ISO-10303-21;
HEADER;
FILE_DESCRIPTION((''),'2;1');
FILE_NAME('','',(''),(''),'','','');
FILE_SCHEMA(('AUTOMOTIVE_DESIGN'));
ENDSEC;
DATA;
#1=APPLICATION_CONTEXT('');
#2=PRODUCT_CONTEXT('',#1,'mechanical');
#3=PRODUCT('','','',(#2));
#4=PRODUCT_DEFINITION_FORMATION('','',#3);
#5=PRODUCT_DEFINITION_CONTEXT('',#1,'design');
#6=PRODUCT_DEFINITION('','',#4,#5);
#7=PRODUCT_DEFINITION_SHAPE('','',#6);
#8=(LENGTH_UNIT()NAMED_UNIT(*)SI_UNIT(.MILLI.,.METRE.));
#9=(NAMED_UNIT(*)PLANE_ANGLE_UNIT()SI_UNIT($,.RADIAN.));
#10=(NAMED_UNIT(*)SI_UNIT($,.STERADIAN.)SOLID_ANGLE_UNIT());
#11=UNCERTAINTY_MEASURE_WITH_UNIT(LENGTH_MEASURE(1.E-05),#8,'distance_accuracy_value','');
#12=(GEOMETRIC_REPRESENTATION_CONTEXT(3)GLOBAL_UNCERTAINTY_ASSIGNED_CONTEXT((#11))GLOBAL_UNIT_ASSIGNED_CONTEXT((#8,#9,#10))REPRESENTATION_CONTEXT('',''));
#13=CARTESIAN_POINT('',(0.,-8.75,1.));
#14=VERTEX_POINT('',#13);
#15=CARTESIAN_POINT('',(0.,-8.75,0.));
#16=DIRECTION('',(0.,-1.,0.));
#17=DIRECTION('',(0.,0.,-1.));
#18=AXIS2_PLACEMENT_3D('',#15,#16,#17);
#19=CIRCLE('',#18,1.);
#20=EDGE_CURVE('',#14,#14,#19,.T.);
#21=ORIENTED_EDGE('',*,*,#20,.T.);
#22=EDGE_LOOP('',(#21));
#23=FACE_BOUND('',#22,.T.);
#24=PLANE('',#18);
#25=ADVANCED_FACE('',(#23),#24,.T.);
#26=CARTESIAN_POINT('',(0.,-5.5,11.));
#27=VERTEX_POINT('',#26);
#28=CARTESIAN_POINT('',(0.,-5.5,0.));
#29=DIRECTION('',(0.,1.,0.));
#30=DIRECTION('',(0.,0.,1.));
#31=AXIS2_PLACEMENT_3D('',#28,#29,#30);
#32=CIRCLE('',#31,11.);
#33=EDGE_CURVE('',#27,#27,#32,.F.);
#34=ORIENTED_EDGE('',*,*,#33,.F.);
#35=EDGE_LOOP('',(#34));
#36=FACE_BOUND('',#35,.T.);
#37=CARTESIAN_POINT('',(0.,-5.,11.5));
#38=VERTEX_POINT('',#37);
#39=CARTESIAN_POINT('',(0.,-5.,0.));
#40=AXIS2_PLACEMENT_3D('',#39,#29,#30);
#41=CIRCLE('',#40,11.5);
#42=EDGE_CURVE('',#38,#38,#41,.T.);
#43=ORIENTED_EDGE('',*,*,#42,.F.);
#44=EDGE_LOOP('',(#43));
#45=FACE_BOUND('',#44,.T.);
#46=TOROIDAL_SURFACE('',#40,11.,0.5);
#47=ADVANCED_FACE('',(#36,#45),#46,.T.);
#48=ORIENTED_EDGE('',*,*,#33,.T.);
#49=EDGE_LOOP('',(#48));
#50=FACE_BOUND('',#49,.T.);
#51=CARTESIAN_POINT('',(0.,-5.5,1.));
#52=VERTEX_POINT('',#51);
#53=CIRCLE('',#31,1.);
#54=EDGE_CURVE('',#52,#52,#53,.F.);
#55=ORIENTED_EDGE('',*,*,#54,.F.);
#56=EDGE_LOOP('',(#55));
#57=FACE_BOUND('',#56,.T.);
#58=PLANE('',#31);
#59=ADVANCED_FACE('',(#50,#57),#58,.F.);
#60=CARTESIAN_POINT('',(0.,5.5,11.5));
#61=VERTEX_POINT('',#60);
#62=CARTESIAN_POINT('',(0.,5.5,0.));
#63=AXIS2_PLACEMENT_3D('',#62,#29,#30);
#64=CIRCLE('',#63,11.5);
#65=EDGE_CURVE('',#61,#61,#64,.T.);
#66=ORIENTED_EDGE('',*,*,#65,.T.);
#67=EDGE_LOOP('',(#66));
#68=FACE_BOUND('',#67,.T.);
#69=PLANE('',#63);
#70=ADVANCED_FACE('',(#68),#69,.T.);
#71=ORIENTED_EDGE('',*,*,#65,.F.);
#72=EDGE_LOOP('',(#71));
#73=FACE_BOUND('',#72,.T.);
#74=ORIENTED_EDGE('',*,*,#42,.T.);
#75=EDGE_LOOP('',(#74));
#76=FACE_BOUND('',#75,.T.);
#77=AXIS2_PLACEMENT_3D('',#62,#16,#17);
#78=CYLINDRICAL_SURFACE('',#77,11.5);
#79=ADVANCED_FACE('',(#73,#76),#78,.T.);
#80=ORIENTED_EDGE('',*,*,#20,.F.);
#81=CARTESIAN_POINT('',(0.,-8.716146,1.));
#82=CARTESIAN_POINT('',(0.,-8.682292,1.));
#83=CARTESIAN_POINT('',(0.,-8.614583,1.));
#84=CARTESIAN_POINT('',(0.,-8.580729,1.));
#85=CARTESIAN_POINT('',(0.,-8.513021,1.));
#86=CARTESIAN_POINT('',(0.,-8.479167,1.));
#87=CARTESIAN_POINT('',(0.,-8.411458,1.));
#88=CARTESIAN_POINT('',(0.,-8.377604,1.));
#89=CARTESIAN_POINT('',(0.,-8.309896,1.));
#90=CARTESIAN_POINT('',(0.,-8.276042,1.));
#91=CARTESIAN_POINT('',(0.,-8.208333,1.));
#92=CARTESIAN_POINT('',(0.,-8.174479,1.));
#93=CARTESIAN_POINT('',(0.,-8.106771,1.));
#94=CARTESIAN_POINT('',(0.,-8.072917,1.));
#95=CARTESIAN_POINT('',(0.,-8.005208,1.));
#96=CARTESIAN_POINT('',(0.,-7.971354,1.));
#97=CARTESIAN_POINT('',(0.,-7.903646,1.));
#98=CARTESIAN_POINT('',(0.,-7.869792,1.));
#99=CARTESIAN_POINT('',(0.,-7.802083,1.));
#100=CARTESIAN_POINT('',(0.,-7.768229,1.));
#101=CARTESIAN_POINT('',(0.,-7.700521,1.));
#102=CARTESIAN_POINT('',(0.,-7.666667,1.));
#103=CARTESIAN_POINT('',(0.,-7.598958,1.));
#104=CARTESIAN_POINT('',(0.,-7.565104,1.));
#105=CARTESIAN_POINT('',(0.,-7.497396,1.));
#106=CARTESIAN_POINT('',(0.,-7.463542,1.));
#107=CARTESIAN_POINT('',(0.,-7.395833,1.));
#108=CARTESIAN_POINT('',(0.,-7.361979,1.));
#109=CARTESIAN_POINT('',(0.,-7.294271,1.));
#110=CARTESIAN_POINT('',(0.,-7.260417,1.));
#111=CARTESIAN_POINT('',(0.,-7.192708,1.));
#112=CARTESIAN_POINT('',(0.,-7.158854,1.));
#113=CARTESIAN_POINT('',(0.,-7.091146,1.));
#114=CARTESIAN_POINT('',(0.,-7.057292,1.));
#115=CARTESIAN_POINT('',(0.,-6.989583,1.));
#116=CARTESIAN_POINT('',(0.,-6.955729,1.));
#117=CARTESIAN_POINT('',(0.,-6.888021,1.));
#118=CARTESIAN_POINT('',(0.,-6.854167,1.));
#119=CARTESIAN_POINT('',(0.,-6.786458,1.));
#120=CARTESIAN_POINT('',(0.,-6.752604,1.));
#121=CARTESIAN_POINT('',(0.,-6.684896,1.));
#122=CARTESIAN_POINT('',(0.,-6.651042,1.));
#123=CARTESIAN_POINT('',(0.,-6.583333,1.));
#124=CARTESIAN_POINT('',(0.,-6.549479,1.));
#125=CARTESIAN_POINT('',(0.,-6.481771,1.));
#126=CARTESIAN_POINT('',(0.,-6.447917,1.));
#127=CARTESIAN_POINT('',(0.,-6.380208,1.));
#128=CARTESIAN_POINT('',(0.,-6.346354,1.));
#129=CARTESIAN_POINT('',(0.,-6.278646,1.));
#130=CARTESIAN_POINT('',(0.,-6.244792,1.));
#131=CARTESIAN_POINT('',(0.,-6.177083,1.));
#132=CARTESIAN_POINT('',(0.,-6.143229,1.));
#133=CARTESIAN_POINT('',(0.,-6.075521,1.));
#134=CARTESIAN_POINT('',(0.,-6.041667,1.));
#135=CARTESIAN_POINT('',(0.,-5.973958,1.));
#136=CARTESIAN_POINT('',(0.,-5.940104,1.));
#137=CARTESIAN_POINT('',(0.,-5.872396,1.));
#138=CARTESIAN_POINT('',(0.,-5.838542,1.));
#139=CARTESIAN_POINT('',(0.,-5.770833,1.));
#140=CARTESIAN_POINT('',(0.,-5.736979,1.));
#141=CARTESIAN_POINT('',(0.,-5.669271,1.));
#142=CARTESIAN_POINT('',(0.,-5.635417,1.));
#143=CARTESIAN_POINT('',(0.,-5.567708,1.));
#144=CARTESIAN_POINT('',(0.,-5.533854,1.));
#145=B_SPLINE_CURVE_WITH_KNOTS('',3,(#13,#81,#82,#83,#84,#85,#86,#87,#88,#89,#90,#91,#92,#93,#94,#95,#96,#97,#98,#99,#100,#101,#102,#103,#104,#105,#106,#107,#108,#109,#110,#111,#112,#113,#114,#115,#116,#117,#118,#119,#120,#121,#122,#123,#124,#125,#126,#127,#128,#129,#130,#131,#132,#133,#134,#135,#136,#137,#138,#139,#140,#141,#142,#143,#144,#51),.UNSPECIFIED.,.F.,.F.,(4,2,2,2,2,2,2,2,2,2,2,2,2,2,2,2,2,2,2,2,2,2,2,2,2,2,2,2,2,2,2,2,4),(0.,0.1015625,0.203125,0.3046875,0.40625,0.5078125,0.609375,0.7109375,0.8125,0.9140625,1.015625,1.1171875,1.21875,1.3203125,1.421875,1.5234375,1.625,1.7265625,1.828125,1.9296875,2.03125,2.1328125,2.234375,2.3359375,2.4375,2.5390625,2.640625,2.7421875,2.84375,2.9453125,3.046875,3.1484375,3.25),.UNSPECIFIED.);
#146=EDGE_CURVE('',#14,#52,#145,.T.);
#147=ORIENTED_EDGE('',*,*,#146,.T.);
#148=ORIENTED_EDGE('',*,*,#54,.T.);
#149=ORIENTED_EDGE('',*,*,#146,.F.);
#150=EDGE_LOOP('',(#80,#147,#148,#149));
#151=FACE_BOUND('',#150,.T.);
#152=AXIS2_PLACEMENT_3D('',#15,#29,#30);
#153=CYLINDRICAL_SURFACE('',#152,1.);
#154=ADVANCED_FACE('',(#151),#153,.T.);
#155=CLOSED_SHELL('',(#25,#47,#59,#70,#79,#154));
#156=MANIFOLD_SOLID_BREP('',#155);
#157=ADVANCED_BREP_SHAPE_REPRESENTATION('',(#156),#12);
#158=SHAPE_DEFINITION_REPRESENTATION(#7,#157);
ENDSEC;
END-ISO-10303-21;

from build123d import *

# Parameters (mm, degrees)
SKETCH1_R           = 11.5
BOSS_EXTRUDE1_DEPTH = 5.5
SKETCH2_R           = 1
BOSS_EXTRUDE2_DEPTH = 3.25
FILLET1_R           = 0.5


with BuildPart() as part:
    # Sketch1 → Boss-Extrude1 (new, symmetric)
    with BuildSketch(Plane(origin=(0, 0, 0), x_dir=(1, 0, 0), z_dir=(0, 1, 0))):
        with Locations(Location((0, 0, 0), (0, 0, 270))):
            Circle(SKETCH1_R)
    extrude(amount=BOSS_EXTRUDE1_DEPTH, both=True)

    # Sketch2 → Boss-Extrude2 (add, symmetric)
    with BuildSketch(Plane.XZ.offset(5.5)):
        with Locations(Location((0, 0, 0), (0, 0, 90))):
            Circle(SKETCH2_R)
    extrude(amount=BOSS_EXTRUDE2_DEPTH, both=True)

    # Fillet1
    fillet1_edges = [part.edges().sort_by_distance(p)[0] for p in [
        (0, -5.5, -11.5),
    ]]
    fillet(fillet1_edges, radius=FILLET1_R)


solid = part.part
